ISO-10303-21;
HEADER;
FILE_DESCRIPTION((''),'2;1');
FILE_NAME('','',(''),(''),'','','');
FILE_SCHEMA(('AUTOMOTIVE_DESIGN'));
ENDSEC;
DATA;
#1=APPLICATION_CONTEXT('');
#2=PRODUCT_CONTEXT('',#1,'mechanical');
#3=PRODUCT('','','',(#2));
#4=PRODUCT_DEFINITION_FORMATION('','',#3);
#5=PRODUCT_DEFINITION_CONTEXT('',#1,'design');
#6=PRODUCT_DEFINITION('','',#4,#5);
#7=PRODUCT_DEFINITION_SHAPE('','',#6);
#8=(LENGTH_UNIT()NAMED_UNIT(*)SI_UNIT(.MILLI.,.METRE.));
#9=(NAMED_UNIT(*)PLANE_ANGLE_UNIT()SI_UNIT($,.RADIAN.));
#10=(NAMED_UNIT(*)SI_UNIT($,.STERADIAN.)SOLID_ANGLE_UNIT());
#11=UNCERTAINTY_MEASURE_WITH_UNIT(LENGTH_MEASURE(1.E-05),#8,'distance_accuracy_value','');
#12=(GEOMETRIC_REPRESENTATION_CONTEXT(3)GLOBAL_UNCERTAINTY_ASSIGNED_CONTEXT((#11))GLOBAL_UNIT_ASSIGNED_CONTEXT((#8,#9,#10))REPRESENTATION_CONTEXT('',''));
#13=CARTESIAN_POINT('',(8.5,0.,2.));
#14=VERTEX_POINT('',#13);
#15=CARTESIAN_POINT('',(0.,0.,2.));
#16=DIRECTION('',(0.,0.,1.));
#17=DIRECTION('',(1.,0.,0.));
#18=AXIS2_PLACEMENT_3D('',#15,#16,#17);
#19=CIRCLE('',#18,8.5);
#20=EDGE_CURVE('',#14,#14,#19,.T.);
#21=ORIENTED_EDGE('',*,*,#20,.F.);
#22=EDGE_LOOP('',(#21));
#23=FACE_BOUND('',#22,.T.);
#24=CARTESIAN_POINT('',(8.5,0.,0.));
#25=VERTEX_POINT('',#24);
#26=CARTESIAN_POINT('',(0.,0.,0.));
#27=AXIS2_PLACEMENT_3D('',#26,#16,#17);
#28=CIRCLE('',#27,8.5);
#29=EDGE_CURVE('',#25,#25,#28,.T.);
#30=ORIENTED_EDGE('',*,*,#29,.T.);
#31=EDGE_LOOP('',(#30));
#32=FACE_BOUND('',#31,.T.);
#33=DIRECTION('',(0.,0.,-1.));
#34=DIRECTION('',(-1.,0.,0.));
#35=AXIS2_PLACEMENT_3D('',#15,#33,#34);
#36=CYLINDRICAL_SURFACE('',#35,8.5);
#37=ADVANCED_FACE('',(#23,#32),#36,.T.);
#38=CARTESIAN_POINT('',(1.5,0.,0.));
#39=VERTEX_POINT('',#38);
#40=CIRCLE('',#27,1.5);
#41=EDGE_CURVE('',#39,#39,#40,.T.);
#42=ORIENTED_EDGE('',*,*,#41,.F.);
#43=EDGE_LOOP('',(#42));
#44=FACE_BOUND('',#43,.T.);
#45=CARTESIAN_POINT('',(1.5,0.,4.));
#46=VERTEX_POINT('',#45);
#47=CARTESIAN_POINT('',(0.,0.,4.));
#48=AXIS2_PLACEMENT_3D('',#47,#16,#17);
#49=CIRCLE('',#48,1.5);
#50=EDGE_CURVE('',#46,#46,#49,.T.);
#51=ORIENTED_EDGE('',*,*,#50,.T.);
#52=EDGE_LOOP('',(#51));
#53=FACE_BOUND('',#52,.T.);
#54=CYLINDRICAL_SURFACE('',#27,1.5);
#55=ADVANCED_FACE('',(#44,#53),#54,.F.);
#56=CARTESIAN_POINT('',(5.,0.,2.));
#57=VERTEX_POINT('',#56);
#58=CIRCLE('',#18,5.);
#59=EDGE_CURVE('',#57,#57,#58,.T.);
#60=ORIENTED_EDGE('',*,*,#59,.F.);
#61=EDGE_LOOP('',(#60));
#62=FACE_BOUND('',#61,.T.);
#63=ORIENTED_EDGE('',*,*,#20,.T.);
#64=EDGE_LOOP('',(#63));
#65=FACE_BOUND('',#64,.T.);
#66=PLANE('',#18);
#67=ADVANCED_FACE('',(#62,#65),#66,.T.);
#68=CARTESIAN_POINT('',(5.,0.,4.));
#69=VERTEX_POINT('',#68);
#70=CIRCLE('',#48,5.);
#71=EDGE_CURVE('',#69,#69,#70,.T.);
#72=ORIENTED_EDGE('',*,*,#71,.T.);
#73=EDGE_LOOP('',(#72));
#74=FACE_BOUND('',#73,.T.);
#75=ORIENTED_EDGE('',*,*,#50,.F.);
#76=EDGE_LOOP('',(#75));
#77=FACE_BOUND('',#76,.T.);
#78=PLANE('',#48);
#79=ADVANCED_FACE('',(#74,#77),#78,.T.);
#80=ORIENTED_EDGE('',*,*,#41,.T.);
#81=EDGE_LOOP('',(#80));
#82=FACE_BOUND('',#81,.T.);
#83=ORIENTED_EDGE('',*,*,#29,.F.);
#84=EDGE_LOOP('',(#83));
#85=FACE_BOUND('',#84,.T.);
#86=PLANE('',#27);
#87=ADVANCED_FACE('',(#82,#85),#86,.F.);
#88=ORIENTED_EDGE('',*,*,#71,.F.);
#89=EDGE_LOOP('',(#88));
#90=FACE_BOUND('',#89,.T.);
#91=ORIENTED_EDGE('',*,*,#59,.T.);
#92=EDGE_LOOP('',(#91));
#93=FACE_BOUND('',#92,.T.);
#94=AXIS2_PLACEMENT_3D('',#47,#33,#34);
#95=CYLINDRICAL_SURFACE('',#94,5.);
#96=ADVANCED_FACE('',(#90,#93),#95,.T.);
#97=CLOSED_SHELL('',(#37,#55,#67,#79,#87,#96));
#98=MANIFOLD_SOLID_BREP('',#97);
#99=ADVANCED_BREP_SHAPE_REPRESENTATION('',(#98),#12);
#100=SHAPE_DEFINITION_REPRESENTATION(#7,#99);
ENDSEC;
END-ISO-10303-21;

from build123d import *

# Parameters (mm, degrees)
SKETCH1_R           = 8.5
BOSS_EXTRUDE1_DEPTH = 2
SKETCH2_R           = 5
BOSS_EXTRUDE2_DEPTH = 2
SKETCH3_R           = 1.5
CUT_EXTRUDE1_DEPTH  = 5


with BuildPart() as part:
    # Sketch1 → Boss-Extrude1 (new body)
    with BuildSketch(Plane.XY):
        Circle(SKETCH1_R)
    extrude(amount=BOSS_EXTRUDE1_DEPTH)

    # Sketch2 → Boss-Extrude2 (add)
    with BuildSketch(Plane.XY.offset(2)):
        Circle(SKETCH2_R)
    extrude(amount=BOSS_EXTRUDE2_DEPTH)

    # Sketch3 → Cut-Extrude1 (cut, through all)
    with BuildSketch(Plane.XY.offset(4)):
        Circle(SKETCH3_R)
    extrude(amount=-CUT_EXTRUDE1_DEPTH, mode=Mode.SUBTRACT)


solid = part.part
